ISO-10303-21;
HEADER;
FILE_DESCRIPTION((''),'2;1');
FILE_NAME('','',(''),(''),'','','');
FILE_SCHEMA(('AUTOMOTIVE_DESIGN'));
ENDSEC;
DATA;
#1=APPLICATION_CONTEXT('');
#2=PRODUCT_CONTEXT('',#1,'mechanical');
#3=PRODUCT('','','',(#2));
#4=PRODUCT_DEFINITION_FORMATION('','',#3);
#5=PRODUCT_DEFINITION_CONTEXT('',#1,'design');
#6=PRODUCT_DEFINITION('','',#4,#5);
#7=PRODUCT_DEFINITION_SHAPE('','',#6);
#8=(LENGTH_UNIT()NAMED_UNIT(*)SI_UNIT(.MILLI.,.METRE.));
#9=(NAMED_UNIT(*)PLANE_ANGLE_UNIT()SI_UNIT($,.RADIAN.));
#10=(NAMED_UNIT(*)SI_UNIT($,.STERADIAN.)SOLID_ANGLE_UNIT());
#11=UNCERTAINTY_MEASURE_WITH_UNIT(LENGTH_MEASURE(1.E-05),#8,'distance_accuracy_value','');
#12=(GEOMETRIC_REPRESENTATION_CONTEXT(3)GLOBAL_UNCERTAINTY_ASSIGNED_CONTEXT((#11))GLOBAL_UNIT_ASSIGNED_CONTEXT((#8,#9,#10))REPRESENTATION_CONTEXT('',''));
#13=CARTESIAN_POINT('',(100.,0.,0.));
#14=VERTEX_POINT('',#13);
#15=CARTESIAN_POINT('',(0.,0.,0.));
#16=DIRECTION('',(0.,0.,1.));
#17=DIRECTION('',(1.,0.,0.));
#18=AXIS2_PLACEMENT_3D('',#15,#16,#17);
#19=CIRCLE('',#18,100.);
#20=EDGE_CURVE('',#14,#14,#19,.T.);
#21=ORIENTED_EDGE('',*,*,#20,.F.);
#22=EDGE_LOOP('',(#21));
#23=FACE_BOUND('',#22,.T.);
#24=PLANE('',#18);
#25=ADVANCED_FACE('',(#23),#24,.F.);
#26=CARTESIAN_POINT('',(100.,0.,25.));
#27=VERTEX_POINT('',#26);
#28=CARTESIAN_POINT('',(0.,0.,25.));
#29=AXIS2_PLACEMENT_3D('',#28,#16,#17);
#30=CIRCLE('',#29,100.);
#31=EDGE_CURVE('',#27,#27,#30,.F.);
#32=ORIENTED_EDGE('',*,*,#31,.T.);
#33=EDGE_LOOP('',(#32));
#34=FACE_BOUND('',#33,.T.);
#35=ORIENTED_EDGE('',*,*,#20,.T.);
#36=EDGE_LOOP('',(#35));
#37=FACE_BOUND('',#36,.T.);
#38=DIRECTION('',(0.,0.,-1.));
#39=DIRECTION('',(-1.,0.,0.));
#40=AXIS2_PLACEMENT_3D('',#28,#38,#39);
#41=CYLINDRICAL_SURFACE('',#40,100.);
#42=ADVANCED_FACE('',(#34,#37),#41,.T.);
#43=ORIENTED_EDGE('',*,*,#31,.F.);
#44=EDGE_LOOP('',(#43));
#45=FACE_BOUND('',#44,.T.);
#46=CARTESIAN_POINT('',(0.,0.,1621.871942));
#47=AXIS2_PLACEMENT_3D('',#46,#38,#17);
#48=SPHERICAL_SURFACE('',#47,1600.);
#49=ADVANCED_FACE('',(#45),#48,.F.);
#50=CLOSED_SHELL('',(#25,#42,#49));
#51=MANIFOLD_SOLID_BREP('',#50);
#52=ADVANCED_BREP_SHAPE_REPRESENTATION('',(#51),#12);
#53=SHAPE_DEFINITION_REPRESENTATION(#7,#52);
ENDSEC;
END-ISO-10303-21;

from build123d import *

# Parameters (mm, degrees)
ESQUISSE1_R        = 100
BOSS_EXTRU_1_DEPTH = 25


with BuildPart() as part:
    # Esquisse1 → Boss.-Extru.1 (new body)
    with BuildSketch(Plane.XY):
        Circle(ESQUISSE1_R)
    extrude(amount=BOSS_EXTRU_1_DEPTH)

    # Esquisse2 → Enlèvement de matière-Révolution6 (revolve, cut)
    with BuildSketch(Plane(origin=(0, 0, 0), x_dir=(1, 0, 0), z_dir=(0, 1, 0))):
        with BuildLine():
            Line((0, -1621.871942267), (0, -21.871942267))
            ThreePointArc((0, -21.871942267), (1131.370849898, -490.501092369), (1600, -1621.871942267))
            Line((1600, -1621.871942267), (0, -1621.871942267))
        make_face()
    revolve(axis=Axis((0, 0, 0), (0, 0, 1)), mode=Mode.SUBTRACT)


solid = part.part
